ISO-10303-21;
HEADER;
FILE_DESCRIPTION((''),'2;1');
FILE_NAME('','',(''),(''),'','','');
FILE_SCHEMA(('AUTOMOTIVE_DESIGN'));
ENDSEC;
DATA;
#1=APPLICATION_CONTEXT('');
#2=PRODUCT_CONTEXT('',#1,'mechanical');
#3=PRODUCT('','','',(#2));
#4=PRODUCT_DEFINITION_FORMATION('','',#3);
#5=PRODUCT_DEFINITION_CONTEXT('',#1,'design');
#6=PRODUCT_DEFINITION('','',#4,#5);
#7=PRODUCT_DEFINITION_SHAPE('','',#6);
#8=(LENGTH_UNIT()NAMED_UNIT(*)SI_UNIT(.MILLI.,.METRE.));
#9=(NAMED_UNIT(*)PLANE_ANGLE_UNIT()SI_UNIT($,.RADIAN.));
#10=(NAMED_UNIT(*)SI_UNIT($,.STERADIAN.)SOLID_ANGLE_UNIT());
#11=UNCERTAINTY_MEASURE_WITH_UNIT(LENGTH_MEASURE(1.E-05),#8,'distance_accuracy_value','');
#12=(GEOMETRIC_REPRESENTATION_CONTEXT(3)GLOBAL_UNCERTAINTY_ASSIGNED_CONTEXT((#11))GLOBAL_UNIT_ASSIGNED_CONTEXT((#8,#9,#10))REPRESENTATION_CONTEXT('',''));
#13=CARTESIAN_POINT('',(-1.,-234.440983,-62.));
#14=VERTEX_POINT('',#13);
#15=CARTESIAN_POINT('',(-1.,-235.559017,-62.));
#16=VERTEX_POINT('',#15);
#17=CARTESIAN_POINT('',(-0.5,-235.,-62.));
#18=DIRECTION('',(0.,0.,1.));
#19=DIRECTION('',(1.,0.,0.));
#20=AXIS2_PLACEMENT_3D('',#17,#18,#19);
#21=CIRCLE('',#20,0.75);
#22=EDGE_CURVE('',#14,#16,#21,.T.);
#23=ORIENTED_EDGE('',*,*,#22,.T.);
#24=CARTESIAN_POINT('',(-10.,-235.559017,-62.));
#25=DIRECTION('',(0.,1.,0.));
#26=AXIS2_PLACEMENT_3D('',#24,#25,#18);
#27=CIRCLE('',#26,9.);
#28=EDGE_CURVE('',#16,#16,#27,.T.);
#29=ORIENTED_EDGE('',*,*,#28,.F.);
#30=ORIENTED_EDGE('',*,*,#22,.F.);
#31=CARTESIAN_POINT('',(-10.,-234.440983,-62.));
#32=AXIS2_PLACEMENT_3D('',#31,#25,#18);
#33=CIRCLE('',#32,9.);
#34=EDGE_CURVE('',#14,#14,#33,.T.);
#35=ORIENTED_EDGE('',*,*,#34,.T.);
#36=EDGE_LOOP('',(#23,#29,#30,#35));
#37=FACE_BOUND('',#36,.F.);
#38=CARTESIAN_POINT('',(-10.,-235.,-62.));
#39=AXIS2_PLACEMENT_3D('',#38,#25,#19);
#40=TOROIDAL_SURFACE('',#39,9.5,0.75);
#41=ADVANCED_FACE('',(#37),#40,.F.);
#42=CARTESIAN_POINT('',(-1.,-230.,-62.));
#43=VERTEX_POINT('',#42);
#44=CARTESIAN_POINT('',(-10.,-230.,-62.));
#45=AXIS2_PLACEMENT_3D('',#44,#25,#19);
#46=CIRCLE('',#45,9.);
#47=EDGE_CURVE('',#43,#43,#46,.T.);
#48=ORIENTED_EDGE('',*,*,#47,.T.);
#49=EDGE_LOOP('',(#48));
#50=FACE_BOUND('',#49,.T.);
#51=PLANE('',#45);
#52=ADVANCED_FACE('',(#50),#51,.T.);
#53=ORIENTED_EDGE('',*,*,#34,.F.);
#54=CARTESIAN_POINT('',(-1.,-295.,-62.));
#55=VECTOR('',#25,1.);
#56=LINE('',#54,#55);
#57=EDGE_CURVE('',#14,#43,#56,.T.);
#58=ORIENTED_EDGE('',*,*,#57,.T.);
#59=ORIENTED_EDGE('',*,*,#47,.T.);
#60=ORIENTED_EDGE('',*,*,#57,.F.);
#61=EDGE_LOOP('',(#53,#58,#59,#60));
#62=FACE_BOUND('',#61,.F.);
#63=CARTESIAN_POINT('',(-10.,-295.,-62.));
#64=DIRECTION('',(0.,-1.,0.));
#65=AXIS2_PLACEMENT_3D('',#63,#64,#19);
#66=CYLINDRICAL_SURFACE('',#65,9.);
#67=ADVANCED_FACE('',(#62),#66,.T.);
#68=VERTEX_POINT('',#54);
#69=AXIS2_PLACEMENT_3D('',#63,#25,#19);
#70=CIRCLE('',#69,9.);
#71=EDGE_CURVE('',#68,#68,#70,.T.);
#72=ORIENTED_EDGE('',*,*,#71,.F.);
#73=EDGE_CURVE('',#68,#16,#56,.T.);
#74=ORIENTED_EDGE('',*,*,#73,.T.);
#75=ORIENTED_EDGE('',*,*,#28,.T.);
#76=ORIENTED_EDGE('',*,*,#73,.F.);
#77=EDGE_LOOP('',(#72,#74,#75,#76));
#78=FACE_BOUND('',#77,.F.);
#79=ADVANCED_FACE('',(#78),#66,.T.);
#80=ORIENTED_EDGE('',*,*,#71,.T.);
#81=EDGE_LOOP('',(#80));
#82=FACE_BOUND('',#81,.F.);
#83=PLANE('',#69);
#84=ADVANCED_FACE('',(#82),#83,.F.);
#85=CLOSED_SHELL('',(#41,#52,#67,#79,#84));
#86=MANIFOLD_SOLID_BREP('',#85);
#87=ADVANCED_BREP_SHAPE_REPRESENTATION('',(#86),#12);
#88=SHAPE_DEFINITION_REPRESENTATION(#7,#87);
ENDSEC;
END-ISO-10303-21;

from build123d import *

# Parameters (mm, degrees)
TORUS_R                = 0.75
CYLINDER065_R          = 9
CYLINDER065_DEPTH      = 65
CUT094_PLACEMENT_ANGLE = 90


with BuildPart() as torus:
    # Torus → Torus (revolve)
    with BuildSketch(Plane(origin=(0, 0, 60), x_dir=(1, 0, 0), z_dir=(0, -1, 0))):
        with Locations((9.5, 0)):
            Circle(TORUS_R)
    revolve(axis=Axis((0, 0, 60), (0, 0, 1)))


with BuildPart() as cut094:
    # Cylinder065 → Cylinder065 (new body)
    with BuildSketch(Plane.XY):
        Circle(CYLINDER065_R)
    extrude(amount=CYLINDER065_DEPTH)

    # Cut094: cut Torus
    add(torus.part, mode=Mode.SUBTRACT)


with BuildPart() as cut094_1:
    # Cut094 placement: moved
    add(cut094.part.moved(Location((-10, -295, -62))).rotate(Axis((-10, -295, -62), (-1, 0, 0)), CUT094_PLACEMENT_ANGLE))


solid = cut094_1.part
